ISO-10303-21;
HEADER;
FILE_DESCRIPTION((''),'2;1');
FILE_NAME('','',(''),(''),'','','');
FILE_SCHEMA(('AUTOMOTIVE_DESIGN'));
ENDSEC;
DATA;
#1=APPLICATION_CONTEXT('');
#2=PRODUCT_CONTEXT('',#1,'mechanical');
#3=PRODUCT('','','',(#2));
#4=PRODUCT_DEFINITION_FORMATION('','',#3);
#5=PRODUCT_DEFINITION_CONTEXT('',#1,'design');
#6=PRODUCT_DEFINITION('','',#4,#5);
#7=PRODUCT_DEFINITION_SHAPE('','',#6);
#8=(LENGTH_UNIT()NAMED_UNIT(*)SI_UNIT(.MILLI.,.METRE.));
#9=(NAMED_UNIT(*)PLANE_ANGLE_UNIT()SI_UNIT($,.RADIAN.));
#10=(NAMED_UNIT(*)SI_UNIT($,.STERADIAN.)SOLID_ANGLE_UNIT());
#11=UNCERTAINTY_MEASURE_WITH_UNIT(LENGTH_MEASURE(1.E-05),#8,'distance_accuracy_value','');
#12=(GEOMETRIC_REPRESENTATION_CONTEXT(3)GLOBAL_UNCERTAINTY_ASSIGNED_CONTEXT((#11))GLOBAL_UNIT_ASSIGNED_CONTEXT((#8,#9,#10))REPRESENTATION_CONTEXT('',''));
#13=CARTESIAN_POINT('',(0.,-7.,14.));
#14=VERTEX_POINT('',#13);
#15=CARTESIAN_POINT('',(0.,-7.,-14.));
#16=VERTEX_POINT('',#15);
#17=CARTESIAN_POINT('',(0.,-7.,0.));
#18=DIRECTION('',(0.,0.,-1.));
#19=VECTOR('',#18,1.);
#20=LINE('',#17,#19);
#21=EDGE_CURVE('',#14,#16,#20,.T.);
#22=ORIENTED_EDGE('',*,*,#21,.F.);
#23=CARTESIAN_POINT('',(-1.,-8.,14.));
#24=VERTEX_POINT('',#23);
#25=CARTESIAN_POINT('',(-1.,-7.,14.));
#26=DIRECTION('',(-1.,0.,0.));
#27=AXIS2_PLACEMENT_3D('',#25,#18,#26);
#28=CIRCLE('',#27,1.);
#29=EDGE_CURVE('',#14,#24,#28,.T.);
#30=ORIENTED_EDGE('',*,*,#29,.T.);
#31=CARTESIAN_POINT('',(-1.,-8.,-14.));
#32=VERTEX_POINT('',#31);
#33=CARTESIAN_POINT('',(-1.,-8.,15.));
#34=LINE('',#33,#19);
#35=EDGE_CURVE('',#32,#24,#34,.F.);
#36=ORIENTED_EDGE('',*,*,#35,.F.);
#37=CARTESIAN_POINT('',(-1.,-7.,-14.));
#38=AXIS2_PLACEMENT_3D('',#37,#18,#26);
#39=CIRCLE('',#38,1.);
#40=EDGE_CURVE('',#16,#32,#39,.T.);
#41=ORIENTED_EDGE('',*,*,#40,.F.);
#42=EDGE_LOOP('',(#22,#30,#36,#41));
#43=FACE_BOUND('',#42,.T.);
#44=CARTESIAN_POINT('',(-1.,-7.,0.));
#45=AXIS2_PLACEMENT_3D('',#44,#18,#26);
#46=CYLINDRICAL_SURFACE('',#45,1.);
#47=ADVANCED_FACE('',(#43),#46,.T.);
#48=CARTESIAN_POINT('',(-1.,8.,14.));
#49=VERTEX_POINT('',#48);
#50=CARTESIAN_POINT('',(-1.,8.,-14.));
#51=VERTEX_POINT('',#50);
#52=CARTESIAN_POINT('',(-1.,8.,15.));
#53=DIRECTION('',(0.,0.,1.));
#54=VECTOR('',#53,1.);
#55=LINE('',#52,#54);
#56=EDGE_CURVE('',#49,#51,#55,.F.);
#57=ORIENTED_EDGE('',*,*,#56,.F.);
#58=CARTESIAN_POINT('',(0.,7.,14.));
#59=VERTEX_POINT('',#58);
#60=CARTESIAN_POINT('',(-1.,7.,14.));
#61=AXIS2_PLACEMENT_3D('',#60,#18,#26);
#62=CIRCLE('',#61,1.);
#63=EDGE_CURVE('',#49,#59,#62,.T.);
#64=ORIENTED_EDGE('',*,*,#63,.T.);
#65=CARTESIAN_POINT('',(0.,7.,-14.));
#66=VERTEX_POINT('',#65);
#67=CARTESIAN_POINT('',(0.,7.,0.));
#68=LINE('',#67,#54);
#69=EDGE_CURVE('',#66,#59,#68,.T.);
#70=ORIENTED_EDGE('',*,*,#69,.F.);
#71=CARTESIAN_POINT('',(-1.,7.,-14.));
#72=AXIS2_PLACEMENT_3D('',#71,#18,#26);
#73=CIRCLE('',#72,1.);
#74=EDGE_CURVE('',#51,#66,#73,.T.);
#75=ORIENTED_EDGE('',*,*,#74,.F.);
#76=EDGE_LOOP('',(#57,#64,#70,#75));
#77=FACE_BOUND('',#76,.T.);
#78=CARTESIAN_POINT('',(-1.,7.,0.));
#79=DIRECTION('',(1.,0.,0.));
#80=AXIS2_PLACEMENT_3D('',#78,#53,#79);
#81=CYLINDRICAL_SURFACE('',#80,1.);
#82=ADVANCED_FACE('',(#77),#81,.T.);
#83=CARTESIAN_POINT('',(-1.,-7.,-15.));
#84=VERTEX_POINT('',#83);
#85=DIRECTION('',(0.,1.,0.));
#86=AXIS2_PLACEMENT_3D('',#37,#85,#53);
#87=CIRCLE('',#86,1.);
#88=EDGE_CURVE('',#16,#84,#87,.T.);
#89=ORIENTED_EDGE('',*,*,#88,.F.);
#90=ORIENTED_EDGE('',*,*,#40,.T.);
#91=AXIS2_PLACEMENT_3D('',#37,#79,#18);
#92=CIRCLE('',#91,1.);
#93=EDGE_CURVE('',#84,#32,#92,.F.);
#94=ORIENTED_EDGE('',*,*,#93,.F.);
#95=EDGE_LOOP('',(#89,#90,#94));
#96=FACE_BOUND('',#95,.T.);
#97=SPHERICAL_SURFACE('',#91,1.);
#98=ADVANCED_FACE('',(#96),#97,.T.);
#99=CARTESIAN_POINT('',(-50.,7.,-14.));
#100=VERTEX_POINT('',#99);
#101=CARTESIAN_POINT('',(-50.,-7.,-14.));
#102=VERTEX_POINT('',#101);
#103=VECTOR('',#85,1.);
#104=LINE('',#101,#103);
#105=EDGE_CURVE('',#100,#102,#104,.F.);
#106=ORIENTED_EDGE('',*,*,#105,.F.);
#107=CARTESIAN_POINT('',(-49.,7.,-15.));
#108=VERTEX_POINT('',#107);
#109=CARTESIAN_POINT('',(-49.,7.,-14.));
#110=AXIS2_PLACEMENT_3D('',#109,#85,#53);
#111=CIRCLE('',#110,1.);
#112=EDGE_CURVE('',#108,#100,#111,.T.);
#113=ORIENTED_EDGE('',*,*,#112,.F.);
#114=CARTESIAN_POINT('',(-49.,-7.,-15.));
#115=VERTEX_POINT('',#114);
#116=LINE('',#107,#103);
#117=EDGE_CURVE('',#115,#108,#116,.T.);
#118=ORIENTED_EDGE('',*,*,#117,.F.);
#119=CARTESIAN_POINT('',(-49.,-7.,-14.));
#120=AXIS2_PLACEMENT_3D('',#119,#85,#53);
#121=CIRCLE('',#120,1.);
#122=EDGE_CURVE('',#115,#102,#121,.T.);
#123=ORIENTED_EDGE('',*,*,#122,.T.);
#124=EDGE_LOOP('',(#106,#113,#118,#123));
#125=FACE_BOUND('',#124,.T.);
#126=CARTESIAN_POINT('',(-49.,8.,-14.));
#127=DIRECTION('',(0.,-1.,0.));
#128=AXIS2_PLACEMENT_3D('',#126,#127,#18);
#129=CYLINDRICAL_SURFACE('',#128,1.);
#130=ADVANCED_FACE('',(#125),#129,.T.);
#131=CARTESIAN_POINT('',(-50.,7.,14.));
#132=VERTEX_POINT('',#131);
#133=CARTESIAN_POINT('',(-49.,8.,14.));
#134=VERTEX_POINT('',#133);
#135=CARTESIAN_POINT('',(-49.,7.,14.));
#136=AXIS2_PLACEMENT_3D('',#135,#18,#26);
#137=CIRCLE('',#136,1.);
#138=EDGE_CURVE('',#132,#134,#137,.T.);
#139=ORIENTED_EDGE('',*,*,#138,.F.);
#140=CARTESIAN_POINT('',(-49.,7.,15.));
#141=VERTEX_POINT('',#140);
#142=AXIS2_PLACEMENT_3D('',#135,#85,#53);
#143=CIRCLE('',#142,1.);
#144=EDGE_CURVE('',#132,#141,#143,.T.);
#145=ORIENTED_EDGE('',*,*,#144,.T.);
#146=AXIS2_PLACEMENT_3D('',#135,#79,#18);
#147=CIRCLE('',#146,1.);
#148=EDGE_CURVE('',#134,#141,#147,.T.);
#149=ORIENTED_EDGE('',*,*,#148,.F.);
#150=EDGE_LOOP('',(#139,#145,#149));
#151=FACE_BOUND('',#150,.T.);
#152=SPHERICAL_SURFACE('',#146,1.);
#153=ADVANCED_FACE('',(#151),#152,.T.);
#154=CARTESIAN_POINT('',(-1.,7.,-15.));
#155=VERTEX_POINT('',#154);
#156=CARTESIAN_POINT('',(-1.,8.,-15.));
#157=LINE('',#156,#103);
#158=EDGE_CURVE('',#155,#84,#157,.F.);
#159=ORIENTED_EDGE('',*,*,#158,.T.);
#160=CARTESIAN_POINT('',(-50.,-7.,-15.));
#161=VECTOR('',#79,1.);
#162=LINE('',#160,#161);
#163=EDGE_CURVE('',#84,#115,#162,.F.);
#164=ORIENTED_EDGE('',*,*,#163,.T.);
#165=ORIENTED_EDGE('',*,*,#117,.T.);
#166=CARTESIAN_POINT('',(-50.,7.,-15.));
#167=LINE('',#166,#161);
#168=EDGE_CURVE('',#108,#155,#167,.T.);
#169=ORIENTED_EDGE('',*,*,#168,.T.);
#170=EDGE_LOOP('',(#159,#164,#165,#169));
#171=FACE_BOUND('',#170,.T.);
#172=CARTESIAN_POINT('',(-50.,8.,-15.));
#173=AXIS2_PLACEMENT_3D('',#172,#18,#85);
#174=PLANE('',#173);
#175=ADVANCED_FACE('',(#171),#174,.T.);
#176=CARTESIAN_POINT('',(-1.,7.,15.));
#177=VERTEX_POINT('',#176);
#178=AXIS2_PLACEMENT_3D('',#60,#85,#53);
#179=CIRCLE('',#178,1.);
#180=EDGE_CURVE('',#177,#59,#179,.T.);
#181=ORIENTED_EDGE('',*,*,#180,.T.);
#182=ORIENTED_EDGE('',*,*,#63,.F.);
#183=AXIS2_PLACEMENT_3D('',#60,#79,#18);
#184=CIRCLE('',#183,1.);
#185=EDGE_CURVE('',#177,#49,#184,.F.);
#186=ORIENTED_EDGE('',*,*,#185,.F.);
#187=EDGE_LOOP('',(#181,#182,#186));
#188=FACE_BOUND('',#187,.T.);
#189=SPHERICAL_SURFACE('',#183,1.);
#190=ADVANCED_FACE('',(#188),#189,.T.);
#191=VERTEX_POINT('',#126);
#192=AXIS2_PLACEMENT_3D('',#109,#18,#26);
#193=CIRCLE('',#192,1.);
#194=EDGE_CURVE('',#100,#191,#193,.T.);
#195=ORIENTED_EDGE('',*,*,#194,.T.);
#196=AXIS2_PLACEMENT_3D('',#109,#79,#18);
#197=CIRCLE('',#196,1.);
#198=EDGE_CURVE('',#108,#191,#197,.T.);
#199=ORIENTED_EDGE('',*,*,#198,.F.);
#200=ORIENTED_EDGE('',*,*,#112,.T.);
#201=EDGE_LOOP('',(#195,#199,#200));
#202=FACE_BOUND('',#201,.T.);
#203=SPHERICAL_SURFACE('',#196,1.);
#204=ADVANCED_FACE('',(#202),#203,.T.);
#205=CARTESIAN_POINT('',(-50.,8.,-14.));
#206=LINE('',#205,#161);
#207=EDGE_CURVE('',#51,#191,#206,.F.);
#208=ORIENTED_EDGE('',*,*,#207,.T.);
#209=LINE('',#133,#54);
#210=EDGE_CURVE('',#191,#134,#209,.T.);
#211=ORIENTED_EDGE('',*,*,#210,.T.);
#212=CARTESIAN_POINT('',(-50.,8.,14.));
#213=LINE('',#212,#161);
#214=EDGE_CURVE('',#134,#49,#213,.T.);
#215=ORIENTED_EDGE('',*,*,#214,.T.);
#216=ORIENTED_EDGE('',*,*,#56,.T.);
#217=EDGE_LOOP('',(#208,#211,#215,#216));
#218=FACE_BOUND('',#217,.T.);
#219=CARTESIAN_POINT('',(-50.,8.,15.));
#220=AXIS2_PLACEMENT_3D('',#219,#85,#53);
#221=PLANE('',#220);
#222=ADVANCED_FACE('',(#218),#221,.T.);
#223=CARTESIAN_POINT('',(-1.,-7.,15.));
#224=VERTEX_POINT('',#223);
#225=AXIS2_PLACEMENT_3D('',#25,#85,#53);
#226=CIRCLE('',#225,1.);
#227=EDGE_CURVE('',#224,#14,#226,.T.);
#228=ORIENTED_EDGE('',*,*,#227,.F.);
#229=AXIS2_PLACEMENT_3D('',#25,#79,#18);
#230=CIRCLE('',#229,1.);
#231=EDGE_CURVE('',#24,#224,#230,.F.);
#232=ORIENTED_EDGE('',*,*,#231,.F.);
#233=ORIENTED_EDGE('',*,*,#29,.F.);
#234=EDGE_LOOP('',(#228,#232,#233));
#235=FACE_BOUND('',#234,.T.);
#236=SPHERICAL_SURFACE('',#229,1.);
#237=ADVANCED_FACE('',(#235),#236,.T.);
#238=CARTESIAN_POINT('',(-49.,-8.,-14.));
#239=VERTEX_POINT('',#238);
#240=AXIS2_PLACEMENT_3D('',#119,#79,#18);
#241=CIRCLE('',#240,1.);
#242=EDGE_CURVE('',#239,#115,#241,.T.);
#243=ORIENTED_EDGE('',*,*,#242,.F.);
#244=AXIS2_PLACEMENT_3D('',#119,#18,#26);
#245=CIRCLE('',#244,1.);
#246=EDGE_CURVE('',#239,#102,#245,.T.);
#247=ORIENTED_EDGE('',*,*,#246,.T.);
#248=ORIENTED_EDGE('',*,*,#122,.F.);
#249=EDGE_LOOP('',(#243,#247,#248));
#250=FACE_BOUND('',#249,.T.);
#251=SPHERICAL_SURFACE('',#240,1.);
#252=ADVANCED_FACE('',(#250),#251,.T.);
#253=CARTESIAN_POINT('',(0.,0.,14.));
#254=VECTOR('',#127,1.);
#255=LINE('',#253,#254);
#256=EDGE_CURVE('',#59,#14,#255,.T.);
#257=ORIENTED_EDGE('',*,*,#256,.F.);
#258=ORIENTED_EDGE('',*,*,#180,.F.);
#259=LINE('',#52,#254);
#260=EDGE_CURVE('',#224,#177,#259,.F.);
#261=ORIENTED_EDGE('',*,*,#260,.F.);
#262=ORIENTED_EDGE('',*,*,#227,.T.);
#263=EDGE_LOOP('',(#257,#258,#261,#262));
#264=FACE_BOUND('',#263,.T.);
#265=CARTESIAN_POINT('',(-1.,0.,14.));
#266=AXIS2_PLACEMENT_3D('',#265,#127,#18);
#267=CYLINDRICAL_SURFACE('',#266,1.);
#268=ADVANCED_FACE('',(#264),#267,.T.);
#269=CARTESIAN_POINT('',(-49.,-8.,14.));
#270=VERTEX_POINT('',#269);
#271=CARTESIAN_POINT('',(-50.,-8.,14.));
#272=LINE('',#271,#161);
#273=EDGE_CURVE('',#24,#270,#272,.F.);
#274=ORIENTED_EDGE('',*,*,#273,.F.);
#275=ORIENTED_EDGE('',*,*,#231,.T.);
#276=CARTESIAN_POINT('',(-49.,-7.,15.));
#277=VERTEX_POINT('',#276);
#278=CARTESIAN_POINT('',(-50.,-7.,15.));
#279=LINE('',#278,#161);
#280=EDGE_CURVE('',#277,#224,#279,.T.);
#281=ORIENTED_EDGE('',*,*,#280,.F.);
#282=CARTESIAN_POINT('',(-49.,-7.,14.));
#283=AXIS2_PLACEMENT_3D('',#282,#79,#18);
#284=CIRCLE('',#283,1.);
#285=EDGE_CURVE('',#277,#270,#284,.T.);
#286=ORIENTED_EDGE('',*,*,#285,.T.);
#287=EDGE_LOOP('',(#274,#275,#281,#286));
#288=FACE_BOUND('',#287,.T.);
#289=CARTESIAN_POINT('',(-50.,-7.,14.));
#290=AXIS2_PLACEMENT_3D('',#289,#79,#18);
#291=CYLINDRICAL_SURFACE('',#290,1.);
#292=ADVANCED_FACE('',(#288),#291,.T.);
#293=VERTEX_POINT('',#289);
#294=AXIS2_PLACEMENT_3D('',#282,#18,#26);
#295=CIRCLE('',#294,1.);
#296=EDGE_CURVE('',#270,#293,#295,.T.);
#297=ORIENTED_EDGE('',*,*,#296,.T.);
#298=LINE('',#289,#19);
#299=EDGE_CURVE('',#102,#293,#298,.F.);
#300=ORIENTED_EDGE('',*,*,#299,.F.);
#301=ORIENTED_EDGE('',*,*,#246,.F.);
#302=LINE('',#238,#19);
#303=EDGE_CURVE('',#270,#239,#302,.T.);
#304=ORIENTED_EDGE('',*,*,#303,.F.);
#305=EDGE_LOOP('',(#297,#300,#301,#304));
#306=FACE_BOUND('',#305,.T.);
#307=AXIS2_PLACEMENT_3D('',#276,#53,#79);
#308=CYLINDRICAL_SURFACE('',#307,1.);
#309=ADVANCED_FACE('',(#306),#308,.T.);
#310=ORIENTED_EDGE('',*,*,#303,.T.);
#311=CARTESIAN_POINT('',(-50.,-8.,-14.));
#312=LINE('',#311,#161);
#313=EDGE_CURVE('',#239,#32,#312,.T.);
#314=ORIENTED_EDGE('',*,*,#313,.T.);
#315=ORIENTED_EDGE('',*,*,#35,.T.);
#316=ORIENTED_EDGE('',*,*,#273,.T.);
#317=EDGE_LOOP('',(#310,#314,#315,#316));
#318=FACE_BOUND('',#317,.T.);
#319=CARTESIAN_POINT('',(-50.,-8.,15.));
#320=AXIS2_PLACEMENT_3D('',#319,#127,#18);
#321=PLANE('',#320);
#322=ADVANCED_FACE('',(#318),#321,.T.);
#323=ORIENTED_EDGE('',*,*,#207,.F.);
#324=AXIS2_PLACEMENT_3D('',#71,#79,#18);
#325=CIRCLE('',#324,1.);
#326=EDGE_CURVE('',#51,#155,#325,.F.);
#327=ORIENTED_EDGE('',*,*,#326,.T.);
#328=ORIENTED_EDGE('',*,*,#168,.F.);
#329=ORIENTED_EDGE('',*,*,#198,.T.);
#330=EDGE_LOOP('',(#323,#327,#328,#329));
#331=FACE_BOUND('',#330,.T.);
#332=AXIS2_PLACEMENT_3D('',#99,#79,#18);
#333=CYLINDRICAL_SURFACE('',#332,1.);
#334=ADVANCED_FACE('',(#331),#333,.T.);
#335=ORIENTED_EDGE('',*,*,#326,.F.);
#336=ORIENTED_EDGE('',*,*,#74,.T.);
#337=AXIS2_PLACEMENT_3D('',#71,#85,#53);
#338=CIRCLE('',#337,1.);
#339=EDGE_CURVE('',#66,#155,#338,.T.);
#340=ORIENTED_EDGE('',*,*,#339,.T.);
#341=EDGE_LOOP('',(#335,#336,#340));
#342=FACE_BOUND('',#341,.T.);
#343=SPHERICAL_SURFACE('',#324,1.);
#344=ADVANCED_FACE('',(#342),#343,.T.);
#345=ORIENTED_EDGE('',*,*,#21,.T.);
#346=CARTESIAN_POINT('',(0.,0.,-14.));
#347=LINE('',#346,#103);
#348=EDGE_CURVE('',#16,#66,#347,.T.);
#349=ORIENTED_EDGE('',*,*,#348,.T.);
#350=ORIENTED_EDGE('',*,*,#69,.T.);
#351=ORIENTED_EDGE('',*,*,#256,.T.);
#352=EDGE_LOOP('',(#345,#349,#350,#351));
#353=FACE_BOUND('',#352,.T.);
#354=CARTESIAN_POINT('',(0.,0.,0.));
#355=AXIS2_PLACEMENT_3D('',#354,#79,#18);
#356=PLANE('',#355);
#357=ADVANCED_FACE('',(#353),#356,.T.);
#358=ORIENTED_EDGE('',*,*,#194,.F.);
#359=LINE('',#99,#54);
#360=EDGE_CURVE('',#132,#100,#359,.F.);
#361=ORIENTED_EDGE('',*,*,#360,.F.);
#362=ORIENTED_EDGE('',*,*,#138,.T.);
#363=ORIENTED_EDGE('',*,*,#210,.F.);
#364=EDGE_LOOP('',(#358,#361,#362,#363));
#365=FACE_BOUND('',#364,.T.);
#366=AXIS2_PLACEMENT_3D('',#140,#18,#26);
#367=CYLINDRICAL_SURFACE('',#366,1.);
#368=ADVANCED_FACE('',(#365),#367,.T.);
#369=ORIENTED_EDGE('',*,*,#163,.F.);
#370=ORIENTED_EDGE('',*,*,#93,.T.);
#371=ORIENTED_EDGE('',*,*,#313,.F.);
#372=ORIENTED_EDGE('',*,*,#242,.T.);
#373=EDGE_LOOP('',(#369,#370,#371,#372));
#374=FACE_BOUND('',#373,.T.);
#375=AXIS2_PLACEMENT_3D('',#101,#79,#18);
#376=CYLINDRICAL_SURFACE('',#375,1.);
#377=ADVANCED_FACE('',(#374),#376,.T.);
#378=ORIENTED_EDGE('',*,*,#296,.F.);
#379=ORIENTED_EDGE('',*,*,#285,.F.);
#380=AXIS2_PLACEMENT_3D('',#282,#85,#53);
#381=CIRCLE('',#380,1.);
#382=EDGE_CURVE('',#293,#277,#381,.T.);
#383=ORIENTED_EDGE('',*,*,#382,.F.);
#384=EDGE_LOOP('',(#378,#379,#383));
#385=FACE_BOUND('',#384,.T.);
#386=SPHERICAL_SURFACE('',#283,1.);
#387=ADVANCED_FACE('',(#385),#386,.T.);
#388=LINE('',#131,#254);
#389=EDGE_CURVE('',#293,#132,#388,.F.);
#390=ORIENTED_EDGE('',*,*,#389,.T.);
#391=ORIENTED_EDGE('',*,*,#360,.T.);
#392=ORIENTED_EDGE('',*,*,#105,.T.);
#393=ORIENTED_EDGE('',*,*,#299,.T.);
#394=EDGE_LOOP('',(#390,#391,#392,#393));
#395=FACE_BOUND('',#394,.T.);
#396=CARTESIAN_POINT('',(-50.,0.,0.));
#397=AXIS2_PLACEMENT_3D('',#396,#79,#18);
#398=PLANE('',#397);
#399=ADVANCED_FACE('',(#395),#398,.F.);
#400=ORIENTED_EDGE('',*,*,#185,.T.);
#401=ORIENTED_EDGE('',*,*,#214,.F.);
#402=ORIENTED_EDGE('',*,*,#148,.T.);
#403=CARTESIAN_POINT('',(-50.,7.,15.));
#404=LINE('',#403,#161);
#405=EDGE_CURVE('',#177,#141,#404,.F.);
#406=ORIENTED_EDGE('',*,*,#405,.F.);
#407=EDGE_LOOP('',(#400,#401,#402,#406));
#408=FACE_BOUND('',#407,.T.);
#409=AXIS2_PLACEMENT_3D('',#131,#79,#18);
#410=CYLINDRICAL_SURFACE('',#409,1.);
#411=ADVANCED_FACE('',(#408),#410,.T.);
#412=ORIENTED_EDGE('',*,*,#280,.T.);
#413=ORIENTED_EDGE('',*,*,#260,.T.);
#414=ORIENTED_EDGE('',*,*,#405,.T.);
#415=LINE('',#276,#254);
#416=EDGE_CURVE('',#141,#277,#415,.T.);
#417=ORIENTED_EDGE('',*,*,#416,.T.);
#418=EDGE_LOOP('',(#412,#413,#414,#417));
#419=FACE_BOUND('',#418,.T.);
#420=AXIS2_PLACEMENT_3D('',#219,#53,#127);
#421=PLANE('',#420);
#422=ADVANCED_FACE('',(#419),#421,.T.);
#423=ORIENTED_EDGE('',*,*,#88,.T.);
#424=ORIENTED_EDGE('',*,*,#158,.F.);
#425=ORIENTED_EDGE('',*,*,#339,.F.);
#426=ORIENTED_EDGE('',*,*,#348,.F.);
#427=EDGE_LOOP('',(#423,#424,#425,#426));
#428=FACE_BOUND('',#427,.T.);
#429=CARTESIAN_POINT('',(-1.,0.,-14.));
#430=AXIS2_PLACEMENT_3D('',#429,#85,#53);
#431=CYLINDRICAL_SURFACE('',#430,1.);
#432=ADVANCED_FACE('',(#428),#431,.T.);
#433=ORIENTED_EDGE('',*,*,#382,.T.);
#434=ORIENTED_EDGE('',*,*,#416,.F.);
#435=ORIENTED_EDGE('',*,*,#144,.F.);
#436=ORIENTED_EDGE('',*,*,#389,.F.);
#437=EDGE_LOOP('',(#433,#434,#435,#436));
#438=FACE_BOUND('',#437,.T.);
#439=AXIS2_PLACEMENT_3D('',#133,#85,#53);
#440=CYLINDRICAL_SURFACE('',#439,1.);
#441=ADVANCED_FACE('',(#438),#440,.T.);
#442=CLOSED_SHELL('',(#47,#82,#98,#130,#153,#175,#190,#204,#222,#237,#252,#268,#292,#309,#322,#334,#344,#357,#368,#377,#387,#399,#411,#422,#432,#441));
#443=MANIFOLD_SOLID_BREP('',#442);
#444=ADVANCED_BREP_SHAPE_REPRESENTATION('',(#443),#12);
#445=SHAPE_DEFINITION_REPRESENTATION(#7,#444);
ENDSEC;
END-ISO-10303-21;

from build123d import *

# Parameters (mm, degrees)
SKETCH1_W           = 30
SKETCH1_H           = 16
BOSS_EXTRUDE1_DEPTH = 50
FILLET1_R           = 1
FILLET2_R           = 1


with BuildPart() as part:
    # Sketch1 → Boss-Extrude1 (new body)
    with BuildSketch(Plane(origin=(0, 0, 0), x_dir=(0, 0, -1), z_dir=(1, 0, 0))):
        Rectangle(SKETCH1_W, SKETCH1_H)
    extrude(amount=-BOSS_EXTRUDE1_DEPTH)

    # Fillet1
    fillet1_edges = [part.edges().sort_by_distance(p)[0] for p in [
        (-25, -8, -15),
        (-25, -8, 15),
        (-25, 8, 15),
        (-25, 8, -15),
    ]]
    fillet(fillet1_edges, radius=FILLET1_R)

    # Fillet2
    fillet2_edges = [part.edges().sort_by_distance(p)[0] for p in [
        (0, -8, 0),
        (-50, -8, 0),
        (0, 0, -15),
        (0, 8, 0),
        (0, 0, 15),
        (0, 7.707106781, 14.707106781),
        (0, 7.707106781, -14.707106781),
        (0, -7.707106781, 14.707106781),
        (0, -7.707106781, -14.707106781),
        (-50, 0, -15),
        (-50, 0, 15),
        (-50, 8, 0),
        (-50, 7.707106781, 14.707106781),
        (-50, 7.707106781, -14.707106781),
        (-50, -7.707106781, 14.707106781),
        (-50, -7.707106781, -14.707106781),
    ]]
    fillet(fillet2_edges, radius=FILLET2_R)


solid = part.part
